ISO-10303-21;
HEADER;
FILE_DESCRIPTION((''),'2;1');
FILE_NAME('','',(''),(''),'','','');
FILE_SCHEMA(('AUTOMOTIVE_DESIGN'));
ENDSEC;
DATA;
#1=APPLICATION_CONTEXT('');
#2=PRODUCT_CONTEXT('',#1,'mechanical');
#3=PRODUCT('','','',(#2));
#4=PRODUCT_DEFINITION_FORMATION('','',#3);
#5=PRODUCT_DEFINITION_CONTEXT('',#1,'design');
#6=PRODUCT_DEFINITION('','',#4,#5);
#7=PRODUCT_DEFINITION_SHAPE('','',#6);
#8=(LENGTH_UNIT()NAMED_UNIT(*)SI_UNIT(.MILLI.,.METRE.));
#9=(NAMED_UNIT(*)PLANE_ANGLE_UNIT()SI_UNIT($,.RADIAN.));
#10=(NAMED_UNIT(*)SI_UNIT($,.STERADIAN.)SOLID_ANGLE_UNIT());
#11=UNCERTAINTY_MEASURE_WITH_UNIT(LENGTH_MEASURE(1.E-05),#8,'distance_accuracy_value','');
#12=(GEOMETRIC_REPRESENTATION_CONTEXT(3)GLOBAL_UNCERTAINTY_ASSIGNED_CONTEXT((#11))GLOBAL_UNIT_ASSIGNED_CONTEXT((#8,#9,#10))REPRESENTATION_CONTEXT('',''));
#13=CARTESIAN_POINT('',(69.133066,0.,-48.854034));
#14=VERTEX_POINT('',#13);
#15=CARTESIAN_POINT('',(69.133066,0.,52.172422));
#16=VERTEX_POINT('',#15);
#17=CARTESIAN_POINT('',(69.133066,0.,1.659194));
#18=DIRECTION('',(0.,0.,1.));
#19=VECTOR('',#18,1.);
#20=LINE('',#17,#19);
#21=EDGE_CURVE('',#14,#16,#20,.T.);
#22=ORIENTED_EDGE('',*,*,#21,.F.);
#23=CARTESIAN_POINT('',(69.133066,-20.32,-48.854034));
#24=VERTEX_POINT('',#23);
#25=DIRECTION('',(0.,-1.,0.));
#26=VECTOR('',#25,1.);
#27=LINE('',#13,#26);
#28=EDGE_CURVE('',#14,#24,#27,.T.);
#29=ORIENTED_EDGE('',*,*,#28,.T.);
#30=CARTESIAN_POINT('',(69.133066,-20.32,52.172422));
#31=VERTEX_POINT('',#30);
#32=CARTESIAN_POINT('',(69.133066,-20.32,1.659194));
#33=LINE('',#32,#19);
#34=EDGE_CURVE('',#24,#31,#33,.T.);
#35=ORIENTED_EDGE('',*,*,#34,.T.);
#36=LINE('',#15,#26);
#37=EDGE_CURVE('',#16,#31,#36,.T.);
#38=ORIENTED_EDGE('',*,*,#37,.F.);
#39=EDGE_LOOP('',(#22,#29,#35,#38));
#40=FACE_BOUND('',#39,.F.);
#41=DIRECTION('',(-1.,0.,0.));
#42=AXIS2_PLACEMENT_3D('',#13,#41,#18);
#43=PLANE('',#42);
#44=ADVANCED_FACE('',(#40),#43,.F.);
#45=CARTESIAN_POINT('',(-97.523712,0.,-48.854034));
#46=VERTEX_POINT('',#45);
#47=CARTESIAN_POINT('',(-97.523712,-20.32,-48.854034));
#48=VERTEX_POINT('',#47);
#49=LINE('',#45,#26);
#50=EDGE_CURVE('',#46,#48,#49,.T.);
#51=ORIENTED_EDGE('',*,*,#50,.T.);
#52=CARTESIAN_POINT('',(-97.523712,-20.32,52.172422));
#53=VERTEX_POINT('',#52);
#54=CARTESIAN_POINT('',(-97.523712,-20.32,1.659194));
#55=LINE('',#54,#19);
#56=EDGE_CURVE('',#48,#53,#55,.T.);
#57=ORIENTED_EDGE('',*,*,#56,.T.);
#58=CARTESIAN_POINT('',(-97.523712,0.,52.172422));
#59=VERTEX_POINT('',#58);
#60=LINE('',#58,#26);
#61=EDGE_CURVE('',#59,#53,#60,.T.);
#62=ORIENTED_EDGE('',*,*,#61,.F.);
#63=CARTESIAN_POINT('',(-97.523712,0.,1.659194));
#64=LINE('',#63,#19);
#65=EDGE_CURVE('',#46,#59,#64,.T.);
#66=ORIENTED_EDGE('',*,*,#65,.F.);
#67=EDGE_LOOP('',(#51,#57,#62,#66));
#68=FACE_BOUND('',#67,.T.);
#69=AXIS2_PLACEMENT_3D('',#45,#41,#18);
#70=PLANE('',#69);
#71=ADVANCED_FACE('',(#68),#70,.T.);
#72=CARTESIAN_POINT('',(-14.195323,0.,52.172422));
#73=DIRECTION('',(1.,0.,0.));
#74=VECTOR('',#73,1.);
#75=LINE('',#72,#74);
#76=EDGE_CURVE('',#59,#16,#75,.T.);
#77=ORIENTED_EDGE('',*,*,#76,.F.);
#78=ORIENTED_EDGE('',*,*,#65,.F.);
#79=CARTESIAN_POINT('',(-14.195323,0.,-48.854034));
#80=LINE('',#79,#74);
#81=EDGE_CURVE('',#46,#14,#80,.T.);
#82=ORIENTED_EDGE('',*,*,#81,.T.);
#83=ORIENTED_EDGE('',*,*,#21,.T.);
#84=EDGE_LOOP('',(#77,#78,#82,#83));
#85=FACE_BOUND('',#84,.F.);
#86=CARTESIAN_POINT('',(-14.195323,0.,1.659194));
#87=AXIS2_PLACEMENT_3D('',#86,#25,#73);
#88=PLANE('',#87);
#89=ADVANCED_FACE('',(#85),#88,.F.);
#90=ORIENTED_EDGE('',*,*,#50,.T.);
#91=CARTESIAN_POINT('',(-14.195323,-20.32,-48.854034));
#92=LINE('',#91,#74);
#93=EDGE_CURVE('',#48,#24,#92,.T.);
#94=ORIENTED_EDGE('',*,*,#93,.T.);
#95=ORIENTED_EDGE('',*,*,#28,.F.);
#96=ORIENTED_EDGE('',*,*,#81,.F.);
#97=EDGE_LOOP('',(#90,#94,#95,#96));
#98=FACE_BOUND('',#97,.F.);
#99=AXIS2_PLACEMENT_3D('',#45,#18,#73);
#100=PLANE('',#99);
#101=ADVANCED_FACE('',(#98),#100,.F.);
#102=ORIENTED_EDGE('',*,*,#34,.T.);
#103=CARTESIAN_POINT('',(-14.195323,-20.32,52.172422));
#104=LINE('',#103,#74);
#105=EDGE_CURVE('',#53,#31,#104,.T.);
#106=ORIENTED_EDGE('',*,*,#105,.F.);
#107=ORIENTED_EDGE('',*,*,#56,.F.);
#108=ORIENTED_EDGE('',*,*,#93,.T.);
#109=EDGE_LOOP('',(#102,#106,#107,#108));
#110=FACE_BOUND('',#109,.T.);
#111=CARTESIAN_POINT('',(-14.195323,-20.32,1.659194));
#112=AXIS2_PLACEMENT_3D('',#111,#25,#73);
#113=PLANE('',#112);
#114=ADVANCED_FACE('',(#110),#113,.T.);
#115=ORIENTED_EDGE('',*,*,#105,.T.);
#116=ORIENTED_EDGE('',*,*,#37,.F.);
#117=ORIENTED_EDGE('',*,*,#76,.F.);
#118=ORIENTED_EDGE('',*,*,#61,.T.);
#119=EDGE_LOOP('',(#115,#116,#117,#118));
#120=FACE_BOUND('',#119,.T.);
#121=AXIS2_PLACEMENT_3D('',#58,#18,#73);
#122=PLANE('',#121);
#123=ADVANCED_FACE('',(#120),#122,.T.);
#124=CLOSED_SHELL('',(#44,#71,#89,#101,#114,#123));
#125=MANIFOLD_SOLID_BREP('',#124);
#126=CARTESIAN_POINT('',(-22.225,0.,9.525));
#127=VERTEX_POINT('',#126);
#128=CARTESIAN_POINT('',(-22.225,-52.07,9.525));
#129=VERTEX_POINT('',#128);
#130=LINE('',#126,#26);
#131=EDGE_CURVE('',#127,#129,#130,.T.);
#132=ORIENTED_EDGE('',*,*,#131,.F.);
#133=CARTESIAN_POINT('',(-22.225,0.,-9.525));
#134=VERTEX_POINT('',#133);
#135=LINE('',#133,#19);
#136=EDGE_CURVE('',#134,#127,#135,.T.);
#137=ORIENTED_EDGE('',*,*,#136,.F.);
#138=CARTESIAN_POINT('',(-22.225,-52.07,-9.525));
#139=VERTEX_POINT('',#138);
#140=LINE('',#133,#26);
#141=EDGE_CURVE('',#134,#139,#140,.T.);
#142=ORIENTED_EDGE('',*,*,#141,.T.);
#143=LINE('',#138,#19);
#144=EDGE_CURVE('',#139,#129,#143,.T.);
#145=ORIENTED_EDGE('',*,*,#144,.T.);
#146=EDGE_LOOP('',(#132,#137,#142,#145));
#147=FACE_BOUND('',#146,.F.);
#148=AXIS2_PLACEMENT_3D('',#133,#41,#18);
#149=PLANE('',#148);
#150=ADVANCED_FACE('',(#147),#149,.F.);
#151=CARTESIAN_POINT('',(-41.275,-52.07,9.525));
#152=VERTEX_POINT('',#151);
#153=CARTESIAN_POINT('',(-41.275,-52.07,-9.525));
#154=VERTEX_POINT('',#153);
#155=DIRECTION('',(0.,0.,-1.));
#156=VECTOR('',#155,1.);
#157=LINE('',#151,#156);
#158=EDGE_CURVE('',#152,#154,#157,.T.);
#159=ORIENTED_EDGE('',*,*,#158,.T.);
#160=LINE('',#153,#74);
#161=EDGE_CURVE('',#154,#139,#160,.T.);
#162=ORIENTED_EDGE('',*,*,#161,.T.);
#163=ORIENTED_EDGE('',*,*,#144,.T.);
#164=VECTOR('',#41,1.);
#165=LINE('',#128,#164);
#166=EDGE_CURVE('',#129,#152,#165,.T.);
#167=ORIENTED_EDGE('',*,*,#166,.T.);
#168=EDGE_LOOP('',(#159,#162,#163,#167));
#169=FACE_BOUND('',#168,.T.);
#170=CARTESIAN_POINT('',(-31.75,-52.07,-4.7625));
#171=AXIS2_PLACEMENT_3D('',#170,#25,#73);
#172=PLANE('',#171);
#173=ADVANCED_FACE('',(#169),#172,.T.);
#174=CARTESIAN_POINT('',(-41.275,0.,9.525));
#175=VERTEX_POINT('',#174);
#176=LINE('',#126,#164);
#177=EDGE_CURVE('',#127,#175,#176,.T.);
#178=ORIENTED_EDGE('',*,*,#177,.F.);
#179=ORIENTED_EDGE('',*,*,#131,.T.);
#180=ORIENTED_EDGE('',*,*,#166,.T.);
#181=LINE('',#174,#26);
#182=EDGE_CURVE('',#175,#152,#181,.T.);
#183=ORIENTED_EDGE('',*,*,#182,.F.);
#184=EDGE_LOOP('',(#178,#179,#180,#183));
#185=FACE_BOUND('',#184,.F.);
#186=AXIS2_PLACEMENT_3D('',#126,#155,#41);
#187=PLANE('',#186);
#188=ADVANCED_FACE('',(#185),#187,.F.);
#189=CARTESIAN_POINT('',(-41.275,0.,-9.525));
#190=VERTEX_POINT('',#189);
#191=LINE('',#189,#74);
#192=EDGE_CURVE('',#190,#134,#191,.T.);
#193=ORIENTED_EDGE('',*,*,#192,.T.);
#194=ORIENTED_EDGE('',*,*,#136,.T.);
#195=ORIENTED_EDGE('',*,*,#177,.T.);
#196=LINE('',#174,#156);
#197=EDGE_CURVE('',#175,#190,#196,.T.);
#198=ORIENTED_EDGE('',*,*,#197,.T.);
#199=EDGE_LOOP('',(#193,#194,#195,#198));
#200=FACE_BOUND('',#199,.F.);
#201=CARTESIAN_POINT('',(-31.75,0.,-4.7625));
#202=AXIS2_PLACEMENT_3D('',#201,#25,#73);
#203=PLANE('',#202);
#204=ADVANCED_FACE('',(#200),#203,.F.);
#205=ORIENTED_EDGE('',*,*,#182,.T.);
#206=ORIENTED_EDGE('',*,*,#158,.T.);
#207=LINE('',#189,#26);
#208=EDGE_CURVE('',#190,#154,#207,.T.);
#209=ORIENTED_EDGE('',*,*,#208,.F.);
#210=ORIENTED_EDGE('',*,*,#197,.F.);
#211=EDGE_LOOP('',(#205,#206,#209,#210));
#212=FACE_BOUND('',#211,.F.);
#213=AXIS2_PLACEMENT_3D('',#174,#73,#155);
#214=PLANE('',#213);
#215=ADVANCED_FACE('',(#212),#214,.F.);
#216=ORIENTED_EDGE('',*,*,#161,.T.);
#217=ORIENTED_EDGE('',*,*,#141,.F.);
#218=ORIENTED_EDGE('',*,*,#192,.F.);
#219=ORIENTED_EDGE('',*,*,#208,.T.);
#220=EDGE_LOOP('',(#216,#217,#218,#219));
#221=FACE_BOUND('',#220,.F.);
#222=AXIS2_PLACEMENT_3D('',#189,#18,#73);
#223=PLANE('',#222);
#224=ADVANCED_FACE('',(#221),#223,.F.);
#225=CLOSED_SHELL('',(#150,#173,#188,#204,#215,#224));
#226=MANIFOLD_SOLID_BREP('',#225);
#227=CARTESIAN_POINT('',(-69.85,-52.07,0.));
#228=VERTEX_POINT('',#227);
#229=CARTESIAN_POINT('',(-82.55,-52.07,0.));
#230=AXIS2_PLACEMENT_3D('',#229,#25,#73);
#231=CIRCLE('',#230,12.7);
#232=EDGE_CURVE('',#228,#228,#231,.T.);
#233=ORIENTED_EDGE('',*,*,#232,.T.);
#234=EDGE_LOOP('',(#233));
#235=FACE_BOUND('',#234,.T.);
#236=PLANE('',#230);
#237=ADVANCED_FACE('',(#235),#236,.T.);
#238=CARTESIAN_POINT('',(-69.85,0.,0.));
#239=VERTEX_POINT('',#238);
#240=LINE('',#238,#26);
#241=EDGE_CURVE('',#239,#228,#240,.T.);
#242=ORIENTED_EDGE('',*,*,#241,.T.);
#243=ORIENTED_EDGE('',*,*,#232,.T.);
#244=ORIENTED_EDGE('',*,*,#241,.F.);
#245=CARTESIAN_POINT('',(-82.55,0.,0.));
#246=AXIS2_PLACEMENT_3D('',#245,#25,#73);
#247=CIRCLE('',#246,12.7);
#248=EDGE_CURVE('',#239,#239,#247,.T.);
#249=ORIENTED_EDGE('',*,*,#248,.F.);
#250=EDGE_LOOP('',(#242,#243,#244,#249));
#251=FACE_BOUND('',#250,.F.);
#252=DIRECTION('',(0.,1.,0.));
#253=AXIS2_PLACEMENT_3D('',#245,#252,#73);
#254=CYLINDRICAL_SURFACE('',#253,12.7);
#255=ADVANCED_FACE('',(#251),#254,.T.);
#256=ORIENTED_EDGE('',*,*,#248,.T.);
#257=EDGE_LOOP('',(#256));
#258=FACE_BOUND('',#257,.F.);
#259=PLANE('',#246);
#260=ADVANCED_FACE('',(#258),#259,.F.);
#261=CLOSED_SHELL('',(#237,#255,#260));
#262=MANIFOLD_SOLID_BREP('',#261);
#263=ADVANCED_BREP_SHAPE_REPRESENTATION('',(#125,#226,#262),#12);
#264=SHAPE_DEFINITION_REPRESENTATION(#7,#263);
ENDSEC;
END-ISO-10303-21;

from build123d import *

# Parameters (mm, degrees)
F1_W     = 166.656778
F1_H     = 101.026456
F2_DEPTH = 20.32
F0_R     = 12.7
F3_DEPTH = 52.07


with BuildPart() as f2:
    # F1 (on Front) → F2 (new body)
    with BuildSketch(Plane.XZ):
        with Locations((-14.195323, 1.659194)):
            Rectangle(F1_W, F1_H)
    extrude(amount=F2_DEPTH)


with BuildPart() as f3:
    # F0 (on Front) → F3 (new body)
    with BuildSketch(Plane.XZ):
        with Locations((-82.55, 0)):
            Circle(F0_R)
        Polygon((-22.225, -9.525), (-22.225, 0), (-31.75, 0), (-41.275, 0), (-41.275, -9.525), align=None)
        Polygon((-31.75, 0), (-22.225, 0), (-22.225, 9.525), (-41.275, 9.525), (-41.275, 0), align=None)
    extrude(amount=F3_DEPTH)


solid = Compound([f2.part, f3.part])
